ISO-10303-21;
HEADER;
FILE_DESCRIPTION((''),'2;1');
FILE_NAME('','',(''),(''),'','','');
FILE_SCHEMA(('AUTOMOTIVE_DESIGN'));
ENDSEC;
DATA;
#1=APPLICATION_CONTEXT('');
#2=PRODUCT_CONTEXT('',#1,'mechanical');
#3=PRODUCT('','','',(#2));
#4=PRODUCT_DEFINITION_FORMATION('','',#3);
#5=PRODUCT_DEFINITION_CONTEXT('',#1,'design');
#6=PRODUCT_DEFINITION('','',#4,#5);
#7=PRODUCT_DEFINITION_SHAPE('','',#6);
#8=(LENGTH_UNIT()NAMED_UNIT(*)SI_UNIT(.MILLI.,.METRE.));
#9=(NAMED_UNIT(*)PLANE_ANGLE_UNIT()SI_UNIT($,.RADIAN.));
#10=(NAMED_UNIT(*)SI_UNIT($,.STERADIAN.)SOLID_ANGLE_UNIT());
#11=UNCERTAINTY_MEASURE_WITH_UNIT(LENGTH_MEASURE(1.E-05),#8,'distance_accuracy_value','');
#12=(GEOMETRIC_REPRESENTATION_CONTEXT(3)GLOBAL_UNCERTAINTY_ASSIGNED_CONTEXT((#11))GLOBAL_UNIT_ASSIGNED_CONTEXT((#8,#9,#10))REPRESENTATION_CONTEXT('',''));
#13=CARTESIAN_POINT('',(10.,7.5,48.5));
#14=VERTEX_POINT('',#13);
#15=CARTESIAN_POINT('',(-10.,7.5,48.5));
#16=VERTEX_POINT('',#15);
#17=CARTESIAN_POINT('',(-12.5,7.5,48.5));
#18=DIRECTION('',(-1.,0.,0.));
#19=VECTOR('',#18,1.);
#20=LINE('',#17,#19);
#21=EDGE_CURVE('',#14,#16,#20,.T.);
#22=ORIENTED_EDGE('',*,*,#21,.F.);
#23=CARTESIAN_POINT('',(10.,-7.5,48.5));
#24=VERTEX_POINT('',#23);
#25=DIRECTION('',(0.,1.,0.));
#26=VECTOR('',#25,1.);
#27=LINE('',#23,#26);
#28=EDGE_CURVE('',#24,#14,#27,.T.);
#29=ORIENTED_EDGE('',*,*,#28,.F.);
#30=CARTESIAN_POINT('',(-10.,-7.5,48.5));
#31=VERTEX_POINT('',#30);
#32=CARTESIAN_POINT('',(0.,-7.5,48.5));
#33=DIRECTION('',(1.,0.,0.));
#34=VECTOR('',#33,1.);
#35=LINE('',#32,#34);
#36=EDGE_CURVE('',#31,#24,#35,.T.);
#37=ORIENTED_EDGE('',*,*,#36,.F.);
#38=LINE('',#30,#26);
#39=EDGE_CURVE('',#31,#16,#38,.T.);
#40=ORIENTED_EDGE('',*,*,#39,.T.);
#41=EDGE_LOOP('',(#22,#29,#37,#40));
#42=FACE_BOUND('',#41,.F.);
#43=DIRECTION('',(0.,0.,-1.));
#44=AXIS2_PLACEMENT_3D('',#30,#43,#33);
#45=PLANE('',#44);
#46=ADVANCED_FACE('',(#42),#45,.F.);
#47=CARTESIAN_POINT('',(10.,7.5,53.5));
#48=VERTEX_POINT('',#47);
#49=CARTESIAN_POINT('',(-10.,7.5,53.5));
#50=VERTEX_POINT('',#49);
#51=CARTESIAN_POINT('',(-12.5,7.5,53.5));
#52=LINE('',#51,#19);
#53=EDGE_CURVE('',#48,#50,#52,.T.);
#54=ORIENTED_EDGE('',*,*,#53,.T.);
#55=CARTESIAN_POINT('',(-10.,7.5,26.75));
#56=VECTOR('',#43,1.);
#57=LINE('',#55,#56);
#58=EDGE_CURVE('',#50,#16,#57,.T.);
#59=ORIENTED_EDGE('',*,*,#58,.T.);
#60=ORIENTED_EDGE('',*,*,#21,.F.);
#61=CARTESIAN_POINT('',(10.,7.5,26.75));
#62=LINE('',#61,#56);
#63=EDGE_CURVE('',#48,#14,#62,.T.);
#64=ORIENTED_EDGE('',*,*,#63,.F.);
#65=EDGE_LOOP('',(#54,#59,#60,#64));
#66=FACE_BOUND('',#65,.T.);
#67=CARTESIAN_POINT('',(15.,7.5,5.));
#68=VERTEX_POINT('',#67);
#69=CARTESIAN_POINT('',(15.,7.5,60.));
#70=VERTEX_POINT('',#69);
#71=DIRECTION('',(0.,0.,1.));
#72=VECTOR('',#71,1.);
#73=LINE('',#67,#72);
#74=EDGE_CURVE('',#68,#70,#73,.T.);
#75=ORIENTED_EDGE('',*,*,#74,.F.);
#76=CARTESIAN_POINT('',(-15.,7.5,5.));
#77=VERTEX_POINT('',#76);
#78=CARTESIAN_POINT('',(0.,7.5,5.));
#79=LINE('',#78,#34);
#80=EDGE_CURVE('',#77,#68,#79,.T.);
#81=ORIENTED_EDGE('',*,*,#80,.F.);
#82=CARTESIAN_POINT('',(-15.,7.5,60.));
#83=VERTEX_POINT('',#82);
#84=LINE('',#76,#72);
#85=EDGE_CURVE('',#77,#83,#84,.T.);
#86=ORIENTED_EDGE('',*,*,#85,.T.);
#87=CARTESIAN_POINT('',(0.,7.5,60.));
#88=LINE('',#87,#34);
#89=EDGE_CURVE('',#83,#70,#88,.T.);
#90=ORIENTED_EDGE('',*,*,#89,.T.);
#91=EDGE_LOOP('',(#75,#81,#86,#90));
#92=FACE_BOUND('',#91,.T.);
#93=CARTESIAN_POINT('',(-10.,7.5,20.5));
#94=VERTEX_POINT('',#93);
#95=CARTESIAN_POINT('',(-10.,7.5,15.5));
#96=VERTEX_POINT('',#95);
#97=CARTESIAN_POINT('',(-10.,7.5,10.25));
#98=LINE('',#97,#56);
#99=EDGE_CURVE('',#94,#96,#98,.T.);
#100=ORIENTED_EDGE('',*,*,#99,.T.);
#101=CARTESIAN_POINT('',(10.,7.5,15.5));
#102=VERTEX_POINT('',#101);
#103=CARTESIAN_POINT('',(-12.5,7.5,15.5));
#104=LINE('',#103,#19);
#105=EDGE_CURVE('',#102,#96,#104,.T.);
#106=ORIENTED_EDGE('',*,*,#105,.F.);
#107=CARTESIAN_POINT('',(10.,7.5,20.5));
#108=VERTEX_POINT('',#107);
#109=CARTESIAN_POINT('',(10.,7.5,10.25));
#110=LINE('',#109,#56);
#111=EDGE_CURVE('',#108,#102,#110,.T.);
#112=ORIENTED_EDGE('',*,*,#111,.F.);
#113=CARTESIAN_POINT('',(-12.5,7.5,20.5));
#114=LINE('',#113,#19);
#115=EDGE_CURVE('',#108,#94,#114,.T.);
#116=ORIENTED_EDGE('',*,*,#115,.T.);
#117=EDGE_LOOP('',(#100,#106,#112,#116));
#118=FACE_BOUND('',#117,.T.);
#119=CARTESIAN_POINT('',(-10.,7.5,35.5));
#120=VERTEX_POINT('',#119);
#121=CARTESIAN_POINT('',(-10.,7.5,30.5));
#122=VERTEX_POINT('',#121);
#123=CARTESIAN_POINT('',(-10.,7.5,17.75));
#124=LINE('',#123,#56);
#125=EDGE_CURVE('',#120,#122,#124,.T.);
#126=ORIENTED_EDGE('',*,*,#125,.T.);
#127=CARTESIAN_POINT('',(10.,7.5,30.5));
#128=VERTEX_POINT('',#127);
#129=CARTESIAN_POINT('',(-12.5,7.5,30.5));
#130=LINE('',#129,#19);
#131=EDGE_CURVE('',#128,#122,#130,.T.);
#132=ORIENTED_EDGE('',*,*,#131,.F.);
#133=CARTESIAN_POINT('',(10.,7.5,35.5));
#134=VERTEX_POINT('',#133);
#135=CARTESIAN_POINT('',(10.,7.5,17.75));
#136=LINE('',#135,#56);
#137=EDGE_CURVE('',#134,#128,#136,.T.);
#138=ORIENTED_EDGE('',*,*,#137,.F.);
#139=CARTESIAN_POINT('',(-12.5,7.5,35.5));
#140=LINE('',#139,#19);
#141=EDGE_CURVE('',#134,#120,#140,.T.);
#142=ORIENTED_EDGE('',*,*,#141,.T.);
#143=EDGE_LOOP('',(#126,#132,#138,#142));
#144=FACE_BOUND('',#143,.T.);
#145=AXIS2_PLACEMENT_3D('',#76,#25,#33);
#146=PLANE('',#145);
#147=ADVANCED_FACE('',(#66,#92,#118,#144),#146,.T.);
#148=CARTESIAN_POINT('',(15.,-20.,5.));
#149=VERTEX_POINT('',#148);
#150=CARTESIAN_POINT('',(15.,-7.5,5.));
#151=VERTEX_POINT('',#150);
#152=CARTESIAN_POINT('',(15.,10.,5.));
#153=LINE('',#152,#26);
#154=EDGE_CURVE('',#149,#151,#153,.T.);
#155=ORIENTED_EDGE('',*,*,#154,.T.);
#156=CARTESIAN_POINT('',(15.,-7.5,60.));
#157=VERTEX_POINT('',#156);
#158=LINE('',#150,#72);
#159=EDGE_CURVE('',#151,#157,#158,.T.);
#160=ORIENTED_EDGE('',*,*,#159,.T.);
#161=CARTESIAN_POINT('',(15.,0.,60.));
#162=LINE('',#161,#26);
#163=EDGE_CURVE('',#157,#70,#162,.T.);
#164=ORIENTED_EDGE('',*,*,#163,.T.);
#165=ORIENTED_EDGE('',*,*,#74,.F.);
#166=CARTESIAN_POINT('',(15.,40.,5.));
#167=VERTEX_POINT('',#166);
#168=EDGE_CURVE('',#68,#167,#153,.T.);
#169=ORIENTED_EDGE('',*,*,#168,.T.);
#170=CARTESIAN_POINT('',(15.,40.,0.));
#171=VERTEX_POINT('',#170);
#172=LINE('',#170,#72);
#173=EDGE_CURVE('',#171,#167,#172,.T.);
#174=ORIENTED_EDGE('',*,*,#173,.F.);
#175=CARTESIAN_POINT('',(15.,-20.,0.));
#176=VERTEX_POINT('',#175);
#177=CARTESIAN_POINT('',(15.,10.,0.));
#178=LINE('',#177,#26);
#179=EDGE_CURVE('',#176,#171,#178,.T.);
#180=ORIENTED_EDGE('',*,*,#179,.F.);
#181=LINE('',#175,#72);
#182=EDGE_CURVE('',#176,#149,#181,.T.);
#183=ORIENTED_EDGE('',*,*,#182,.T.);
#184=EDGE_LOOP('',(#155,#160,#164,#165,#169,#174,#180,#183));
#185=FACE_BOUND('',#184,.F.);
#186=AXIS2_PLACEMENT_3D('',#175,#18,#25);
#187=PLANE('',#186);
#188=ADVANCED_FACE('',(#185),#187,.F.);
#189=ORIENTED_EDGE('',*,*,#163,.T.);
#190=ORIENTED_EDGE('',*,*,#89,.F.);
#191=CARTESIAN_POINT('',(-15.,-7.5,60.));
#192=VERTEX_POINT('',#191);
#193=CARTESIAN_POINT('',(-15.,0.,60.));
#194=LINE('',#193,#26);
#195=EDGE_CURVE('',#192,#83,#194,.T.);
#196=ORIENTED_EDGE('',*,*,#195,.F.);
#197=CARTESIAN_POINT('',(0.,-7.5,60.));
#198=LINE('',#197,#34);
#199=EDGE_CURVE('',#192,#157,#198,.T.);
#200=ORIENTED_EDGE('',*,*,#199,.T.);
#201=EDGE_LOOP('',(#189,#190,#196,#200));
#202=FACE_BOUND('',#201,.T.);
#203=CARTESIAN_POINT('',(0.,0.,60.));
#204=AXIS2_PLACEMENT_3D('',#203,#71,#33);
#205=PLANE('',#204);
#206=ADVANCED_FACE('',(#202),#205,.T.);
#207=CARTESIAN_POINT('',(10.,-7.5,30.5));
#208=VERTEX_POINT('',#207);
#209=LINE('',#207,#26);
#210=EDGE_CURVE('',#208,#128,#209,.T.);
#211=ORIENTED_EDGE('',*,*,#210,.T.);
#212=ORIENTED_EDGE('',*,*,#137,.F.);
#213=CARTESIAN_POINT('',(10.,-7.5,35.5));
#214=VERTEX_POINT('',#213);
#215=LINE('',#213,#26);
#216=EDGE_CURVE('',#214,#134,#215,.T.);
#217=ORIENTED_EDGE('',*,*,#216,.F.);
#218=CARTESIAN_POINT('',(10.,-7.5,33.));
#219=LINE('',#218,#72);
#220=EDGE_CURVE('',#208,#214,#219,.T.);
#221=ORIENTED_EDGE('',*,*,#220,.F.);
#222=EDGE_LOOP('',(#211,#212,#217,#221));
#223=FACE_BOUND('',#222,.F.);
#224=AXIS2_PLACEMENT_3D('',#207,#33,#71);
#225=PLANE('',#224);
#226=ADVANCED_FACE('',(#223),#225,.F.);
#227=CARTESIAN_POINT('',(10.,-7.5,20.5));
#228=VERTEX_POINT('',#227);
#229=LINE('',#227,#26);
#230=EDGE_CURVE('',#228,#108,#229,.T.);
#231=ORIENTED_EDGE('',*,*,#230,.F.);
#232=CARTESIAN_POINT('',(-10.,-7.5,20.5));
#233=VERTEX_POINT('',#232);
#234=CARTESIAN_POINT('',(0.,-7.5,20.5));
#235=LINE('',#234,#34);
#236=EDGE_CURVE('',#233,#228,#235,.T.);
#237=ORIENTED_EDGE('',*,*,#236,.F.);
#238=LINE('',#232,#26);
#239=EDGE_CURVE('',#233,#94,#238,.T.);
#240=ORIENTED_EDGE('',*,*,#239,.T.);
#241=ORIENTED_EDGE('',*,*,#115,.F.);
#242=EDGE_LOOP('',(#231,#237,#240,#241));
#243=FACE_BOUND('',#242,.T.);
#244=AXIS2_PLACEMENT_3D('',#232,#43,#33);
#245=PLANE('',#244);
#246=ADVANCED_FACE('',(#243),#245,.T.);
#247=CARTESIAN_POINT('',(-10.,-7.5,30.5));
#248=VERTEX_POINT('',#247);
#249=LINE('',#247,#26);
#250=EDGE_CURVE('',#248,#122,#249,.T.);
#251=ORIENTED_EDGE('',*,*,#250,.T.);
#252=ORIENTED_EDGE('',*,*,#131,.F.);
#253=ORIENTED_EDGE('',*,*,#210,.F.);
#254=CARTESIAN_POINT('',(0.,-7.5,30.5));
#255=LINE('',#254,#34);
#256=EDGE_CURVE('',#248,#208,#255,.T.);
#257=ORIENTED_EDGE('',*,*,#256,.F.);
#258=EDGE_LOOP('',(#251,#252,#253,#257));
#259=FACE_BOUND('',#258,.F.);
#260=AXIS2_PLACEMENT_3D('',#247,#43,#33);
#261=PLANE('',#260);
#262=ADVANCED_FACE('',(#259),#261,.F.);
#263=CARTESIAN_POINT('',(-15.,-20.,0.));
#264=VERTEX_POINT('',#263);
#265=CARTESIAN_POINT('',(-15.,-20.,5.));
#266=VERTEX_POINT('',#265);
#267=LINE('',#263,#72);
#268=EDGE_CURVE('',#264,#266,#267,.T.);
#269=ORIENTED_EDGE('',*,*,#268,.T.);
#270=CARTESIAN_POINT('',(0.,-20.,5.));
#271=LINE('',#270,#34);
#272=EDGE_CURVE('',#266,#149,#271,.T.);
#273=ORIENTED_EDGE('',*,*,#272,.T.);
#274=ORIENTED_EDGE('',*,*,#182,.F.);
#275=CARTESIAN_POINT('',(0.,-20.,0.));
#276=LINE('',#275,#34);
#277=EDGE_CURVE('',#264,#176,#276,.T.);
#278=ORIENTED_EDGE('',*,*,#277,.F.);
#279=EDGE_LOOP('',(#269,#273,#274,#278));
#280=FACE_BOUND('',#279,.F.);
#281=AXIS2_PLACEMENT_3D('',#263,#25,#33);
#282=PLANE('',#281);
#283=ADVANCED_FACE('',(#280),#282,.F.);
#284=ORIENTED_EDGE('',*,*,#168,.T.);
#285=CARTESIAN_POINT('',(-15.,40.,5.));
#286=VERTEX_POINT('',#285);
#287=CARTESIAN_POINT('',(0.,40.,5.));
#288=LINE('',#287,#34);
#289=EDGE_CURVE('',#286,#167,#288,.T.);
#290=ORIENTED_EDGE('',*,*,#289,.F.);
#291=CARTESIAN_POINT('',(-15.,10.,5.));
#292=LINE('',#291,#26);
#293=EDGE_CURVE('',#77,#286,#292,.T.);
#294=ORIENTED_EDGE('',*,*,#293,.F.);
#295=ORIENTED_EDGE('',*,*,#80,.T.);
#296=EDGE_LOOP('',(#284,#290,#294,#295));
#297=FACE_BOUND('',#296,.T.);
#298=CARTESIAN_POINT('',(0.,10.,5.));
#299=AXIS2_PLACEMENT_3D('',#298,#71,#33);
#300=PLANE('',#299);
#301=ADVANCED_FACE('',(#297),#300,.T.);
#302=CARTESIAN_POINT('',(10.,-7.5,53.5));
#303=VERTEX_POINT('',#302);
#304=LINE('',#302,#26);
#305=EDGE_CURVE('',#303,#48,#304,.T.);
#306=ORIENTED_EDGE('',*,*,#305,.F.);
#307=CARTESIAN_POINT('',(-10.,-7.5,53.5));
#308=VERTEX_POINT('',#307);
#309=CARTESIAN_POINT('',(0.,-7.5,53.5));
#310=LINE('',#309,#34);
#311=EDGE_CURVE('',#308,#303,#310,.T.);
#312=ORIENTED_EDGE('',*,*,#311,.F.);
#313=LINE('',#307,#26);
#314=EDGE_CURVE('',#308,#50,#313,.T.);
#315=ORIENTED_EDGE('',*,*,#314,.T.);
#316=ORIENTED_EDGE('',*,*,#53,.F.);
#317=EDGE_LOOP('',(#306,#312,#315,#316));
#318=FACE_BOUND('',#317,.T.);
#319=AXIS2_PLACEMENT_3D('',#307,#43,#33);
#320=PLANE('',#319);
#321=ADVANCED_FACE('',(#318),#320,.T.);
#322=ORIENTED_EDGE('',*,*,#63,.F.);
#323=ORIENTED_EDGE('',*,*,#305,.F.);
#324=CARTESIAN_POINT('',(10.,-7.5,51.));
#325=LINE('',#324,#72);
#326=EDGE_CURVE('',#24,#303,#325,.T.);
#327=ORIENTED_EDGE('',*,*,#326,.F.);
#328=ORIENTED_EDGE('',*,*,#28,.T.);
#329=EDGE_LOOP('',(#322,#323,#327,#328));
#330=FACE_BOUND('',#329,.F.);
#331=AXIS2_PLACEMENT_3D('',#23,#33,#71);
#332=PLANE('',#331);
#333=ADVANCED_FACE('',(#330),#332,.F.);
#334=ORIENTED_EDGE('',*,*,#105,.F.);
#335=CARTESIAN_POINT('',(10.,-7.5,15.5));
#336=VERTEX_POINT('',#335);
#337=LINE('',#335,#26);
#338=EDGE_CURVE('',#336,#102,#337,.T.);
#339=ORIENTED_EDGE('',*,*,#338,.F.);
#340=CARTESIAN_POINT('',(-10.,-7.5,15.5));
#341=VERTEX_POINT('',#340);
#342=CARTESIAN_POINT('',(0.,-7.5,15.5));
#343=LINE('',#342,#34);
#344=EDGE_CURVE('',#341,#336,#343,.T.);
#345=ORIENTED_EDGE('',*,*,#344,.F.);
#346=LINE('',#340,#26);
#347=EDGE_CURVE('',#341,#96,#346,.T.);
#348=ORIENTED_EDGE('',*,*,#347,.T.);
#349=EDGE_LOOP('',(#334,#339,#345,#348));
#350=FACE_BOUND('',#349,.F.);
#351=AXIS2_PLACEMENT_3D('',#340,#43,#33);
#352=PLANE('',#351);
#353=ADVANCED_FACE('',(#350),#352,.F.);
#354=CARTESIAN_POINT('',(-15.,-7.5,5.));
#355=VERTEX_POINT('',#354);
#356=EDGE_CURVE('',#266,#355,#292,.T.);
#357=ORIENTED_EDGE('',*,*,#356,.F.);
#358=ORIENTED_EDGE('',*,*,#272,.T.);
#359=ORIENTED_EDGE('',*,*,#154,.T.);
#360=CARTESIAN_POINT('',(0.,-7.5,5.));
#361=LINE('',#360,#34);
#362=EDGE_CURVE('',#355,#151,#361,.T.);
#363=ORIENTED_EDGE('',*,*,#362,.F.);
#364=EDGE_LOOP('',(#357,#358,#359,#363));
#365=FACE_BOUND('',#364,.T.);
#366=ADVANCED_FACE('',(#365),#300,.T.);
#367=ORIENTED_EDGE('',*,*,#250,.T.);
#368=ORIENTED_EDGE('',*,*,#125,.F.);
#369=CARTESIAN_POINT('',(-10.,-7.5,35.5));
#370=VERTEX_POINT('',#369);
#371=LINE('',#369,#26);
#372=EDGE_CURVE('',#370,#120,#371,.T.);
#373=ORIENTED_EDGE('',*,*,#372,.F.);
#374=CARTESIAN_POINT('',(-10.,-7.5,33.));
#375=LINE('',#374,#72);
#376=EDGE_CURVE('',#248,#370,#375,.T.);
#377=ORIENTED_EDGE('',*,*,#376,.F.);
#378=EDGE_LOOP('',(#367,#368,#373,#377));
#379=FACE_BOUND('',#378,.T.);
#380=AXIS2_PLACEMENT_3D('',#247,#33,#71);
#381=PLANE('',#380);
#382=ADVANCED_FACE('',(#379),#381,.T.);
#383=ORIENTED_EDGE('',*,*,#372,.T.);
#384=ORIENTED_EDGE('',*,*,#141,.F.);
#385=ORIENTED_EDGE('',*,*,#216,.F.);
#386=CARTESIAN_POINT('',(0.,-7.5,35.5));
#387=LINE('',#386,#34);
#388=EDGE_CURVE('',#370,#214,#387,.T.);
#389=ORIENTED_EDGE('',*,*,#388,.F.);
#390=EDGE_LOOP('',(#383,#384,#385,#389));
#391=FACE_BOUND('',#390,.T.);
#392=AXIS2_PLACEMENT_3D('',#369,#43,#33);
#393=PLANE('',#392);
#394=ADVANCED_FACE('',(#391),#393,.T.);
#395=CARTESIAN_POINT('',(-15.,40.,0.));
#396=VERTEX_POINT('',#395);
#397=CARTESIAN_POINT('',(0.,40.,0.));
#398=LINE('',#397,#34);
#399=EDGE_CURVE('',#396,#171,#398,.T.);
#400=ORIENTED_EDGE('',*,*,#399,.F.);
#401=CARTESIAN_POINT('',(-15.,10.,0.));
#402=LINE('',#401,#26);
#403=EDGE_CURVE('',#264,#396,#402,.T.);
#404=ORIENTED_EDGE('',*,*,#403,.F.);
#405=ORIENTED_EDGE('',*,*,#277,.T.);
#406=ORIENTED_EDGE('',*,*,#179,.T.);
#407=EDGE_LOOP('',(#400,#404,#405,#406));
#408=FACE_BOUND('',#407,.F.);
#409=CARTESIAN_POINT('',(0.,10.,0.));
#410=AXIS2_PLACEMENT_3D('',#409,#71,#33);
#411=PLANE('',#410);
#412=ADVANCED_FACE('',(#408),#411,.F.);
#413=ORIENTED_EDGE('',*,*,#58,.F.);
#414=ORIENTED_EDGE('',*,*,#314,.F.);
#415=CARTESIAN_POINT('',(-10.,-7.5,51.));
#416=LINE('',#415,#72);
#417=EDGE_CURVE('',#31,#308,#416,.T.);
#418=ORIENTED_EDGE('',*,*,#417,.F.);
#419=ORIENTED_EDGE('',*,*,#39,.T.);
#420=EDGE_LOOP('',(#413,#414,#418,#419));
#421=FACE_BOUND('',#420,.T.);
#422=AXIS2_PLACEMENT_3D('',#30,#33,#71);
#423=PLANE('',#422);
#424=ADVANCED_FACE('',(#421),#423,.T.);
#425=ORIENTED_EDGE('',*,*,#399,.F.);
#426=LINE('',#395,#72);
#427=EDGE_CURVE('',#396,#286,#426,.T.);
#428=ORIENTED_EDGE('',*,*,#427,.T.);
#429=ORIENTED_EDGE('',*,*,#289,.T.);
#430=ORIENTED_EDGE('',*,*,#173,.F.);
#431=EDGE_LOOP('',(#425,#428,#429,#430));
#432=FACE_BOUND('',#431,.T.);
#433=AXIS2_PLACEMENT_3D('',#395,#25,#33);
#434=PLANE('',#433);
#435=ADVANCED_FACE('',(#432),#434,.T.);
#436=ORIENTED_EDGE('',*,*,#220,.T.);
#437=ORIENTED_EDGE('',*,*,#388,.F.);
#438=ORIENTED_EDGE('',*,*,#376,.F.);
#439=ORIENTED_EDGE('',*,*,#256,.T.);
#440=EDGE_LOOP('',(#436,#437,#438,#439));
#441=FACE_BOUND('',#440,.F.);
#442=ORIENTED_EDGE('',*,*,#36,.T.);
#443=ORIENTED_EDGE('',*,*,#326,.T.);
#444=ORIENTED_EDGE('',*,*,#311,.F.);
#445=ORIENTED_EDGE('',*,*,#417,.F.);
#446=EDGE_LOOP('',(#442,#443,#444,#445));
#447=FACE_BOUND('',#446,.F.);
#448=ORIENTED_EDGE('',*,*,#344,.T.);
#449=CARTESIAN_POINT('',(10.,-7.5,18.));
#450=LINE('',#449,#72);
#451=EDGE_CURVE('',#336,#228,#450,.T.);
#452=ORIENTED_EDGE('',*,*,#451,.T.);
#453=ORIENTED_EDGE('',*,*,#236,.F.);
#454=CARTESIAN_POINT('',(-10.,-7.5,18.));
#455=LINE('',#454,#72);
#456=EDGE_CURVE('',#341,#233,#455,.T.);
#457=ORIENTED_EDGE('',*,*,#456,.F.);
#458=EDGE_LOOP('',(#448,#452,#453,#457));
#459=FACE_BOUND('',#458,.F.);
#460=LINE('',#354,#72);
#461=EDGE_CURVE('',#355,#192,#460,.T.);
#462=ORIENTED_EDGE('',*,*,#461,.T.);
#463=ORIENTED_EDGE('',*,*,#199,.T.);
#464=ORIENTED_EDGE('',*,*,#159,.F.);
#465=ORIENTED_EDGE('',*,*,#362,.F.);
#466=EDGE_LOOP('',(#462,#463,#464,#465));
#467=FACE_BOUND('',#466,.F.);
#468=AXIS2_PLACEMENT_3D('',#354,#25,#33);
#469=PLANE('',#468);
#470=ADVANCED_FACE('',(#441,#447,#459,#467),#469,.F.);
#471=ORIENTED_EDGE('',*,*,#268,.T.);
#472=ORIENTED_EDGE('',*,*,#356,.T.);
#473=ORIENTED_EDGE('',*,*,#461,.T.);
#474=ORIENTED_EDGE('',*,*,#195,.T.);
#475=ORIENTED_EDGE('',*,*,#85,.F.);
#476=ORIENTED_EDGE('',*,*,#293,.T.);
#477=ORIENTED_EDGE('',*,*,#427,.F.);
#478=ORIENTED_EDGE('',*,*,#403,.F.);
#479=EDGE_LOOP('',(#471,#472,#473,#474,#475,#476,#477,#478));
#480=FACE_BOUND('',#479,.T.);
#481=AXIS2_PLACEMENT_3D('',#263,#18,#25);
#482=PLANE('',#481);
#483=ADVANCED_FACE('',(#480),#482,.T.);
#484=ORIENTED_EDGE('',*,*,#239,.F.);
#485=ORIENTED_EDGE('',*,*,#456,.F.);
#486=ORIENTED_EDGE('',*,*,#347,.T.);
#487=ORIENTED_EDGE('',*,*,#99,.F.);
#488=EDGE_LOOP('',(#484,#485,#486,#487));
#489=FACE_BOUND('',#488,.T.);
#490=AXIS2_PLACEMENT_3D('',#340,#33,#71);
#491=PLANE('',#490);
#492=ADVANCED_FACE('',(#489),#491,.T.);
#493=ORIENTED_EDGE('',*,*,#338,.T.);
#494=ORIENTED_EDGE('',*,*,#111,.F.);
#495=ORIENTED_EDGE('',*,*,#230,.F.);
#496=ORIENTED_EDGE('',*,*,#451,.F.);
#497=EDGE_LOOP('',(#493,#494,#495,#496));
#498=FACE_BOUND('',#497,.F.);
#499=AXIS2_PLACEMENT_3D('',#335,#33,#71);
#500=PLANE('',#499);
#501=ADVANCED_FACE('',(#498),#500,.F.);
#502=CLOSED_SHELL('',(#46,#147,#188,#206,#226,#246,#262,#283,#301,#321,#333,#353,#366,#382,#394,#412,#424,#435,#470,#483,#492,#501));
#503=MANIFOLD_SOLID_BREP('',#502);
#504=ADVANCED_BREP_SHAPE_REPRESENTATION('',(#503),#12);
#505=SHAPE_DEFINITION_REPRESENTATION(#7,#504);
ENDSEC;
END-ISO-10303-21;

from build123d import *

# Parameters (mm, degrees)
F2_W     = 30
F2_H     = 60
F3_DEPTH = 5
F4_W     = 30
F4_H     = 15
F5_DEPTH = 55
F6_W     = 20
F6_H     = 5
F7_DEPTH = 47.501


with BuildPart() as f3:
    # F2 (on Top) → F3 (new body)
    with BuildSketch(Plane.XY):
        with Locations((0, 10)):
            Rectangle(F2_W, F2_H)
    extrude(amount=F3_DEPTH)

    # F4 (on face) → F5 (join)
    with BuildSketch(Plane.XY.offset(5)):
        Rectangle(F4_W, F4_H)
    extrude(amount=F5_DEPTH)

    # F6 (on face) → F7 (cut, through all)
    with BuildSketch(Plane.XZ.offset(7.5)):
        with Locations((0, 51)):
            Rectangle(F6_W, F6_H)
        with Locations((0, 33)):
            Rectangle(F6_W, F6_H)
        with Locations((0, 18)):
            Rectangle(F6_W, F6_H)
    extrude(amount=-F7_DEPTH, mode=Mode.SUBTRACT)


solid = f3.part
